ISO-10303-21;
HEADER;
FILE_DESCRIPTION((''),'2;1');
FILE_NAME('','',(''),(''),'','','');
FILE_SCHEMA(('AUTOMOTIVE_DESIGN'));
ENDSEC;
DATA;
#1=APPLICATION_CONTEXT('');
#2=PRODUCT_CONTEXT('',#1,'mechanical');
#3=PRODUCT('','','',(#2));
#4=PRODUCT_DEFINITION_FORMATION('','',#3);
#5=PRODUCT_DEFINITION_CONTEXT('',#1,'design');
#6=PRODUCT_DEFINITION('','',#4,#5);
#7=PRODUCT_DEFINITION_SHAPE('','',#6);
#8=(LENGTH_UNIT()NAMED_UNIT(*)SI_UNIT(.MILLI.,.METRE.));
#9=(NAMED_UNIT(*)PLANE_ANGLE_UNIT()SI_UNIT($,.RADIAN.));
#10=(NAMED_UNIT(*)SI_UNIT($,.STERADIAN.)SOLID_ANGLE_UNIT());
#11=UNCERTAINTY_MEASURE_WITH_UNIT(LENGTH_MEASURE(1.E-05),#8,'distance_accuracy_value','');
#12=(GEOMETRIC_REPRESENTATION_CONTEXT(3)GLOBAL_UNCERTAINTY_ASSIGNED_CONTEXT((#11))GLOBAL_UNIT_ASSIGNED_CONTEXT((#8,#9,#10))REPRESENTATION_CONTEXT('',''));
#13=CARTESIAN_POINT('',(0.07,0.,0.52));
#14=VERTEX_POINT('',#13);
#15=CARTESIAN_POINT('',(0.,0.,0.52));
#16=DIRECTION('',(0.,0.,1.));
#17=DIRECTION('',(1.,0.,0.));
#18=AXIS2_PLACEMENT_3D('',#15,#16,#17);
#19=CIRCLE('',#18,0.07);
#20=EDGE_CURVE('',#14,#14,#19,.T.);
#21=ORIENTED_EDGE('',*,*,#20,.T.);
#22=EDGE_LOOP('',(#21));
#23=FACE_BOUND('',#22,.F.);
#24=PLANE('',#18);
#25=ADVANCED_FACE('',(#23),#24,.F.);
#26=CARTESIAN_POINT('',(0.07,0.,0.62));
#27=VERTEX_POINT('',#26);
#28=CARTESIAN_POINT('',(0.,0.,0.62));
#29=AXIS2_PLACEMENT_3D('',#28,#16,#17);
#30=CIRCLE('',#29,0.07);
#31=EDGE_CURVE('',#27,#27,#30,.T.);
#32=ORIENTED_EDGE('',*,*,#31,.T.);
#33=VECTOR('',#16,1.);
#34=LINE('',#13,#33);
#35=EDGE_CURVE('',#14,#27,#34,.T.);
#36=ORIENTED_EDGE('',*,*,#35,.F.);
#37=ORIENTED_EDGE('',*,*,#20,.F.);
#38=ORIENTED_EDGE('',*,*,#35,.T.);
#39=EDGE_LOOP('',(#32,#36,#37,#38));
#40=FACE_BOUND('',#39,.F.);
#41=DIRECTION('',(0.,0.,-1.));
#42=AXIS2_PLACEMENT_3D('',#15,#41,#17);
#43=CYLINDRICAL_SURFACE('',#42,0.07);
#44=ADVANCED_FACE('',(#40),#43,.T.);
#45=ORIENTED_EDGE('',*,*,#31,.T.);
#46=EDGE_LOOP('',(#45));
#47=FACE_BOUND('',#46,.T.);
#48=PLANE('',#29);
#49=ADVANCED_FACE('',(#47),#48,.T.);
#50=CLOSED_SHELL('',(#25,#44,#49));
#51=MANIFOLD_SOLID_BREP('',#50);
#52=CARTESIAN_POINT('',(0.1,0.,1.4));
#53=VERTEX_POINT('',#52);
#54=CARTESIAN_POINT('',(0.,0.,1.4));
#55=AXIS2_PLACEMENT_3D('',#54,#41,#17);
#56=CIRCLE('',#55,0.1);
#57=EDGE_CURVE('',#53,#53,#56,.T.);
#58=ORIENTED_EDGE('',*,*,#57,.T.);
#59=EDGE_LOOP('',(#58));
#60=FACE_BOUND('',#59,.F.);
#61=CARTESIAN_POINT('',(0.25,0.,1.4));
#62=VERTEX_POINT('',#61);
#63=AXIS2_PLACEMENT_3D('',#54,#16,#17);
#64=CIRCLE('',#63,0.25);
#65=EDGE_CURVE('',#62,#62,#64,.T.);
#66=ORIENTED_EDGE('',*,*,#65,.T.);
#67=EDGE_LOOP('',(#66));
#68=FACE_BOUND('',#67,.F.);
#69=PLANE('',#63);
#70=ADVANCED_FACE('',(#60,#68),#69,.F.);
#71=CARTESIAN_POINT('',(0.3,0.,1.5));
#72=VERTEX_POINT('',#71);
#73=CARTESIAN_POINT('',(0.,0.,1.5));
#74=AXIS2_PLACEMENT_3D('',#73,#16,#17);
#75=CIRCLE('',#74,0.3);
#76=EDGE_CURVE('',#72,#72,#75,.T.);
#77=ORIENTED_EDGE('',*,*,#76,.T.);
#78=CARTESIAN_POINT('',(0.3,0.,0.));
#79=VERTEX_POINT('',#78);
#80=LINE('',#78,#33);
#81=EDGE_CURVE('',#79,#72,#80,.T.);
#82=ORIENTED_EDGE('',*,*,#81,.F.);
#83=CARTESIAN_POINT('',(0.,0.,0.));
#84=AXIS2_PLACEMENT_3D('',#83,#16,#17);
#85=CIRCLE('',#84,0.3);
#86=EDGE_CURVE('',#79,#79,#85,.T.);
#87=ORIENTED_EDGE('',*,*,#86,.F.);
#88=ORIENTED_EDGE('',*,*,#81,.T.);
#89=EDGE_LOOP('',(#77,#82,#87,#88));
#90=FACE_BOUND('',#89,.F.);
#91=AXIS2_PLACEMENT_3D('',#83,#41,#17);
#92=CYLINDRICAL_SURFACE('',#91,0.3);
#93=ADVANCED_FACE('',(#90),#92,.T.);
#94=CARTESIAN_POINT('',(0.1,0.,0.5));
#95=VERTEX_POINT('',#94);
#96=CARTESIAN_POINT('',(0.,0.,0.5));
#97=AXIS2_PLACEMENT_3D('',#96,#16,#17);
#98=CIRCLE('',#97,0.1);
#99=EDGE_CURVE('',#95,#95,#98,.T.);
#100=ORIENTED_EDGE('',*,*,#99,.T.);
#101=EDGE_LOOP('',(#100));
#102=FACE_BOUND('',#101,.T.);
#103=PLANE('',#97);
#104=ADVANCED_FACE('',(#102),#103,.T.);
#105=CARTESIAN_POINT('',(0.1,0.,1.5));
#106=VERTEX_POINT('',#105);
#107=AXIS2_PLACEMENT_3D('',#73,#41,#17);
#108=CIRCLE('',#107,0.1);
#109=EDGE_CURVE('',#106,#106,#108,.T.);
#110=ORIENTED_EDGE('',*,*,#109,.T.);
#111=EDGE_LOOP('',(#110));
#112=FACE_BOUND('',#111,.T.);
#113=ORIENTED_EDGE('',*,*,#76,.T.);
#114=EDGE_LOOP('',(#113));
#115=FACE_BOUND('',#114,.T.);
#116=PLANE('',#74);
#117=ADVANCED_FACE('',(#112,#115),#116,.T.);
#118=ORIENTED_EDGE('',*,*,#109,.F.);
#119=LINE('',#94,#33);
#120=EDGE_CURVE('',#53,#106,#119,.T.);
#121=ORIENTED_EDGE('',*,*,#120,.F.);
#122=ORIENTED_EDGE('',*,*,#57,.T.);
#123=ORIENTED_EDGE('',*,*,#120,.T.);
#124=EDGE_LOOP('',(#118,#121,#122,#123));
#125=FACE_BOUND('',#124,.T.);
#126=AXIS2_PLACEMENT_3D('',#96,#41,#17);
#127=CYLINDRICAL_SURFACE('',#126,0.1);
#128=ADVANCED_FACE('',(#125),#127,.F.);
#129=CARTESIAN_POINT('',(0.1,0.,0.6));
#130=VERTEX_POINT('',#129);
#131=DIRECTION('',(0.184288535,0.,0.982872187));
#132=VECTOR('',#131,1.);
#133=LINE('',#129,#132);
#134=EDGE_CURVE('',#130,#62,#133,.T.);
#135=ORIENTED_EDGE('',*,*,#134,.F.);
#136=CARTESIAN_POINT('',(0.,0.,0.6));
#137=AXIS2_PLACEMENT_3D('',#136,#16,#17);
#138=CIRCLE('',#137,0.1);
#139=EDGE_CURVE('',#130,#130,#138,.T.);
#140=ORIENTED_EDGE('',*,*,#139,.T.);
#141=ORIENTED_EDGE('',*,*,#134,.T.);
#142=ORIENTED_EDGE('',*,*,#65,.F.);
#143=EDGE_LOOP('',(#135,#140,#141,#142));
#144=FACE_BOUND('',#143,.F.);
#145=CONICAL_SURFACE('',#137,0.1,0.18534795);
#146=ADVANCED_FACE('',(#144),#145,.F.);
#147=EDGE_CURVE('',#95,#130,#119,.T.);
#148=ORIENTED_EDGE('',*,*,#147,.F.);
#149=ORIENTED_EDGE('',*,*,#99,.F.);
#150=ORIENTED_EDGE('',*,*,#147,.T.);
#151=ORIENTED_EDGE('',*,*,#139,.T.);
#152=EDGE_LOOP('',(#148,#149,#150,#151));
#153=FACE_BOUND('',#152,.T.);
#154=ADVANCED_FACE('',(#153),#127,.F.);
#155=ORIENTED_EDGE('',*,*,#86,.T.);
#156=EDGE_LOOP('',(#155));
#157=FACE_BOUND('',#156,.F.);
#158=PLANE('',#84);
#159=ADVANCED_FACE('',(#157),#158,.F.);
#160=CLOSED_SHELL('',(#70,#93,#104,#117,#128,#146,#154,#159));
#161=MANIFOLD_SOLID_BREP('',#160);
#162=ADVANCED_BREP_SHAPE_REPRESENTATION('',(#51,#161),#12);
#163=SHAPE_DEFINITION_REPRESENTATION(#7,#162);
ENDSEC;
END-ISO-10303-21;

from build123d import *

# Parameters (mm, degrees)
CYLINDER002_R     = 0.07
CYLINDER002_DEPTH = 0.1
CYLINDER003_R     = 0.1
CYLINDER003_DEPTH = 2
CYLINDER_R        = 0.3
CYLINDER_DEPTH    = 1.5


with BuildPart() as emitting_region:
    # Cylinder002 → Cylinder002 (new body)
    with BuildSketch(Plane.XY.offset(0.52)):
        Circle(CYLINDER002_R)
    extrude(amount=CYLINDER002_DEPTH)


with BuildPart() as cylinder001:
    # Cylinder003 → Cylinder003 (new body)
    with BuildSketch(Plane.XY.offset(0.5)):
        Circle(CYLINDER003_R)
    extrude(amount=CYLINDER003_DEPTH)


with BuildPart() as fusion:
    # Cone → Cone (revolve)
    with BuildSketch(Plane(origin=(0, 0, 0.6), x_dir=(1, 0, 0), z_dir=(0, -1, 0))):
        Polygon((0, 0), (0.1, 0), (0.25, 0.8), (0, 0.8), align=None)
    revolve(axis=Axis((0, 0, 0.6), (0, 0, 1)))

    # Fusion: union Cylinder001
    add(cylinder001.part)


with BuildPart() as cut:
    # Cylinder → Cylinder (new body)
    with BuildSketch(Plane.XY):
        Circle(CYLINDER_R)
    extrude(amount=CYLINDER_DEPTH)

    # Cut: cut Fusion
    add(fusion.part, mode=Mode.SUBTRACT)


solid = Compound([emitting_region.part, cut.part])
